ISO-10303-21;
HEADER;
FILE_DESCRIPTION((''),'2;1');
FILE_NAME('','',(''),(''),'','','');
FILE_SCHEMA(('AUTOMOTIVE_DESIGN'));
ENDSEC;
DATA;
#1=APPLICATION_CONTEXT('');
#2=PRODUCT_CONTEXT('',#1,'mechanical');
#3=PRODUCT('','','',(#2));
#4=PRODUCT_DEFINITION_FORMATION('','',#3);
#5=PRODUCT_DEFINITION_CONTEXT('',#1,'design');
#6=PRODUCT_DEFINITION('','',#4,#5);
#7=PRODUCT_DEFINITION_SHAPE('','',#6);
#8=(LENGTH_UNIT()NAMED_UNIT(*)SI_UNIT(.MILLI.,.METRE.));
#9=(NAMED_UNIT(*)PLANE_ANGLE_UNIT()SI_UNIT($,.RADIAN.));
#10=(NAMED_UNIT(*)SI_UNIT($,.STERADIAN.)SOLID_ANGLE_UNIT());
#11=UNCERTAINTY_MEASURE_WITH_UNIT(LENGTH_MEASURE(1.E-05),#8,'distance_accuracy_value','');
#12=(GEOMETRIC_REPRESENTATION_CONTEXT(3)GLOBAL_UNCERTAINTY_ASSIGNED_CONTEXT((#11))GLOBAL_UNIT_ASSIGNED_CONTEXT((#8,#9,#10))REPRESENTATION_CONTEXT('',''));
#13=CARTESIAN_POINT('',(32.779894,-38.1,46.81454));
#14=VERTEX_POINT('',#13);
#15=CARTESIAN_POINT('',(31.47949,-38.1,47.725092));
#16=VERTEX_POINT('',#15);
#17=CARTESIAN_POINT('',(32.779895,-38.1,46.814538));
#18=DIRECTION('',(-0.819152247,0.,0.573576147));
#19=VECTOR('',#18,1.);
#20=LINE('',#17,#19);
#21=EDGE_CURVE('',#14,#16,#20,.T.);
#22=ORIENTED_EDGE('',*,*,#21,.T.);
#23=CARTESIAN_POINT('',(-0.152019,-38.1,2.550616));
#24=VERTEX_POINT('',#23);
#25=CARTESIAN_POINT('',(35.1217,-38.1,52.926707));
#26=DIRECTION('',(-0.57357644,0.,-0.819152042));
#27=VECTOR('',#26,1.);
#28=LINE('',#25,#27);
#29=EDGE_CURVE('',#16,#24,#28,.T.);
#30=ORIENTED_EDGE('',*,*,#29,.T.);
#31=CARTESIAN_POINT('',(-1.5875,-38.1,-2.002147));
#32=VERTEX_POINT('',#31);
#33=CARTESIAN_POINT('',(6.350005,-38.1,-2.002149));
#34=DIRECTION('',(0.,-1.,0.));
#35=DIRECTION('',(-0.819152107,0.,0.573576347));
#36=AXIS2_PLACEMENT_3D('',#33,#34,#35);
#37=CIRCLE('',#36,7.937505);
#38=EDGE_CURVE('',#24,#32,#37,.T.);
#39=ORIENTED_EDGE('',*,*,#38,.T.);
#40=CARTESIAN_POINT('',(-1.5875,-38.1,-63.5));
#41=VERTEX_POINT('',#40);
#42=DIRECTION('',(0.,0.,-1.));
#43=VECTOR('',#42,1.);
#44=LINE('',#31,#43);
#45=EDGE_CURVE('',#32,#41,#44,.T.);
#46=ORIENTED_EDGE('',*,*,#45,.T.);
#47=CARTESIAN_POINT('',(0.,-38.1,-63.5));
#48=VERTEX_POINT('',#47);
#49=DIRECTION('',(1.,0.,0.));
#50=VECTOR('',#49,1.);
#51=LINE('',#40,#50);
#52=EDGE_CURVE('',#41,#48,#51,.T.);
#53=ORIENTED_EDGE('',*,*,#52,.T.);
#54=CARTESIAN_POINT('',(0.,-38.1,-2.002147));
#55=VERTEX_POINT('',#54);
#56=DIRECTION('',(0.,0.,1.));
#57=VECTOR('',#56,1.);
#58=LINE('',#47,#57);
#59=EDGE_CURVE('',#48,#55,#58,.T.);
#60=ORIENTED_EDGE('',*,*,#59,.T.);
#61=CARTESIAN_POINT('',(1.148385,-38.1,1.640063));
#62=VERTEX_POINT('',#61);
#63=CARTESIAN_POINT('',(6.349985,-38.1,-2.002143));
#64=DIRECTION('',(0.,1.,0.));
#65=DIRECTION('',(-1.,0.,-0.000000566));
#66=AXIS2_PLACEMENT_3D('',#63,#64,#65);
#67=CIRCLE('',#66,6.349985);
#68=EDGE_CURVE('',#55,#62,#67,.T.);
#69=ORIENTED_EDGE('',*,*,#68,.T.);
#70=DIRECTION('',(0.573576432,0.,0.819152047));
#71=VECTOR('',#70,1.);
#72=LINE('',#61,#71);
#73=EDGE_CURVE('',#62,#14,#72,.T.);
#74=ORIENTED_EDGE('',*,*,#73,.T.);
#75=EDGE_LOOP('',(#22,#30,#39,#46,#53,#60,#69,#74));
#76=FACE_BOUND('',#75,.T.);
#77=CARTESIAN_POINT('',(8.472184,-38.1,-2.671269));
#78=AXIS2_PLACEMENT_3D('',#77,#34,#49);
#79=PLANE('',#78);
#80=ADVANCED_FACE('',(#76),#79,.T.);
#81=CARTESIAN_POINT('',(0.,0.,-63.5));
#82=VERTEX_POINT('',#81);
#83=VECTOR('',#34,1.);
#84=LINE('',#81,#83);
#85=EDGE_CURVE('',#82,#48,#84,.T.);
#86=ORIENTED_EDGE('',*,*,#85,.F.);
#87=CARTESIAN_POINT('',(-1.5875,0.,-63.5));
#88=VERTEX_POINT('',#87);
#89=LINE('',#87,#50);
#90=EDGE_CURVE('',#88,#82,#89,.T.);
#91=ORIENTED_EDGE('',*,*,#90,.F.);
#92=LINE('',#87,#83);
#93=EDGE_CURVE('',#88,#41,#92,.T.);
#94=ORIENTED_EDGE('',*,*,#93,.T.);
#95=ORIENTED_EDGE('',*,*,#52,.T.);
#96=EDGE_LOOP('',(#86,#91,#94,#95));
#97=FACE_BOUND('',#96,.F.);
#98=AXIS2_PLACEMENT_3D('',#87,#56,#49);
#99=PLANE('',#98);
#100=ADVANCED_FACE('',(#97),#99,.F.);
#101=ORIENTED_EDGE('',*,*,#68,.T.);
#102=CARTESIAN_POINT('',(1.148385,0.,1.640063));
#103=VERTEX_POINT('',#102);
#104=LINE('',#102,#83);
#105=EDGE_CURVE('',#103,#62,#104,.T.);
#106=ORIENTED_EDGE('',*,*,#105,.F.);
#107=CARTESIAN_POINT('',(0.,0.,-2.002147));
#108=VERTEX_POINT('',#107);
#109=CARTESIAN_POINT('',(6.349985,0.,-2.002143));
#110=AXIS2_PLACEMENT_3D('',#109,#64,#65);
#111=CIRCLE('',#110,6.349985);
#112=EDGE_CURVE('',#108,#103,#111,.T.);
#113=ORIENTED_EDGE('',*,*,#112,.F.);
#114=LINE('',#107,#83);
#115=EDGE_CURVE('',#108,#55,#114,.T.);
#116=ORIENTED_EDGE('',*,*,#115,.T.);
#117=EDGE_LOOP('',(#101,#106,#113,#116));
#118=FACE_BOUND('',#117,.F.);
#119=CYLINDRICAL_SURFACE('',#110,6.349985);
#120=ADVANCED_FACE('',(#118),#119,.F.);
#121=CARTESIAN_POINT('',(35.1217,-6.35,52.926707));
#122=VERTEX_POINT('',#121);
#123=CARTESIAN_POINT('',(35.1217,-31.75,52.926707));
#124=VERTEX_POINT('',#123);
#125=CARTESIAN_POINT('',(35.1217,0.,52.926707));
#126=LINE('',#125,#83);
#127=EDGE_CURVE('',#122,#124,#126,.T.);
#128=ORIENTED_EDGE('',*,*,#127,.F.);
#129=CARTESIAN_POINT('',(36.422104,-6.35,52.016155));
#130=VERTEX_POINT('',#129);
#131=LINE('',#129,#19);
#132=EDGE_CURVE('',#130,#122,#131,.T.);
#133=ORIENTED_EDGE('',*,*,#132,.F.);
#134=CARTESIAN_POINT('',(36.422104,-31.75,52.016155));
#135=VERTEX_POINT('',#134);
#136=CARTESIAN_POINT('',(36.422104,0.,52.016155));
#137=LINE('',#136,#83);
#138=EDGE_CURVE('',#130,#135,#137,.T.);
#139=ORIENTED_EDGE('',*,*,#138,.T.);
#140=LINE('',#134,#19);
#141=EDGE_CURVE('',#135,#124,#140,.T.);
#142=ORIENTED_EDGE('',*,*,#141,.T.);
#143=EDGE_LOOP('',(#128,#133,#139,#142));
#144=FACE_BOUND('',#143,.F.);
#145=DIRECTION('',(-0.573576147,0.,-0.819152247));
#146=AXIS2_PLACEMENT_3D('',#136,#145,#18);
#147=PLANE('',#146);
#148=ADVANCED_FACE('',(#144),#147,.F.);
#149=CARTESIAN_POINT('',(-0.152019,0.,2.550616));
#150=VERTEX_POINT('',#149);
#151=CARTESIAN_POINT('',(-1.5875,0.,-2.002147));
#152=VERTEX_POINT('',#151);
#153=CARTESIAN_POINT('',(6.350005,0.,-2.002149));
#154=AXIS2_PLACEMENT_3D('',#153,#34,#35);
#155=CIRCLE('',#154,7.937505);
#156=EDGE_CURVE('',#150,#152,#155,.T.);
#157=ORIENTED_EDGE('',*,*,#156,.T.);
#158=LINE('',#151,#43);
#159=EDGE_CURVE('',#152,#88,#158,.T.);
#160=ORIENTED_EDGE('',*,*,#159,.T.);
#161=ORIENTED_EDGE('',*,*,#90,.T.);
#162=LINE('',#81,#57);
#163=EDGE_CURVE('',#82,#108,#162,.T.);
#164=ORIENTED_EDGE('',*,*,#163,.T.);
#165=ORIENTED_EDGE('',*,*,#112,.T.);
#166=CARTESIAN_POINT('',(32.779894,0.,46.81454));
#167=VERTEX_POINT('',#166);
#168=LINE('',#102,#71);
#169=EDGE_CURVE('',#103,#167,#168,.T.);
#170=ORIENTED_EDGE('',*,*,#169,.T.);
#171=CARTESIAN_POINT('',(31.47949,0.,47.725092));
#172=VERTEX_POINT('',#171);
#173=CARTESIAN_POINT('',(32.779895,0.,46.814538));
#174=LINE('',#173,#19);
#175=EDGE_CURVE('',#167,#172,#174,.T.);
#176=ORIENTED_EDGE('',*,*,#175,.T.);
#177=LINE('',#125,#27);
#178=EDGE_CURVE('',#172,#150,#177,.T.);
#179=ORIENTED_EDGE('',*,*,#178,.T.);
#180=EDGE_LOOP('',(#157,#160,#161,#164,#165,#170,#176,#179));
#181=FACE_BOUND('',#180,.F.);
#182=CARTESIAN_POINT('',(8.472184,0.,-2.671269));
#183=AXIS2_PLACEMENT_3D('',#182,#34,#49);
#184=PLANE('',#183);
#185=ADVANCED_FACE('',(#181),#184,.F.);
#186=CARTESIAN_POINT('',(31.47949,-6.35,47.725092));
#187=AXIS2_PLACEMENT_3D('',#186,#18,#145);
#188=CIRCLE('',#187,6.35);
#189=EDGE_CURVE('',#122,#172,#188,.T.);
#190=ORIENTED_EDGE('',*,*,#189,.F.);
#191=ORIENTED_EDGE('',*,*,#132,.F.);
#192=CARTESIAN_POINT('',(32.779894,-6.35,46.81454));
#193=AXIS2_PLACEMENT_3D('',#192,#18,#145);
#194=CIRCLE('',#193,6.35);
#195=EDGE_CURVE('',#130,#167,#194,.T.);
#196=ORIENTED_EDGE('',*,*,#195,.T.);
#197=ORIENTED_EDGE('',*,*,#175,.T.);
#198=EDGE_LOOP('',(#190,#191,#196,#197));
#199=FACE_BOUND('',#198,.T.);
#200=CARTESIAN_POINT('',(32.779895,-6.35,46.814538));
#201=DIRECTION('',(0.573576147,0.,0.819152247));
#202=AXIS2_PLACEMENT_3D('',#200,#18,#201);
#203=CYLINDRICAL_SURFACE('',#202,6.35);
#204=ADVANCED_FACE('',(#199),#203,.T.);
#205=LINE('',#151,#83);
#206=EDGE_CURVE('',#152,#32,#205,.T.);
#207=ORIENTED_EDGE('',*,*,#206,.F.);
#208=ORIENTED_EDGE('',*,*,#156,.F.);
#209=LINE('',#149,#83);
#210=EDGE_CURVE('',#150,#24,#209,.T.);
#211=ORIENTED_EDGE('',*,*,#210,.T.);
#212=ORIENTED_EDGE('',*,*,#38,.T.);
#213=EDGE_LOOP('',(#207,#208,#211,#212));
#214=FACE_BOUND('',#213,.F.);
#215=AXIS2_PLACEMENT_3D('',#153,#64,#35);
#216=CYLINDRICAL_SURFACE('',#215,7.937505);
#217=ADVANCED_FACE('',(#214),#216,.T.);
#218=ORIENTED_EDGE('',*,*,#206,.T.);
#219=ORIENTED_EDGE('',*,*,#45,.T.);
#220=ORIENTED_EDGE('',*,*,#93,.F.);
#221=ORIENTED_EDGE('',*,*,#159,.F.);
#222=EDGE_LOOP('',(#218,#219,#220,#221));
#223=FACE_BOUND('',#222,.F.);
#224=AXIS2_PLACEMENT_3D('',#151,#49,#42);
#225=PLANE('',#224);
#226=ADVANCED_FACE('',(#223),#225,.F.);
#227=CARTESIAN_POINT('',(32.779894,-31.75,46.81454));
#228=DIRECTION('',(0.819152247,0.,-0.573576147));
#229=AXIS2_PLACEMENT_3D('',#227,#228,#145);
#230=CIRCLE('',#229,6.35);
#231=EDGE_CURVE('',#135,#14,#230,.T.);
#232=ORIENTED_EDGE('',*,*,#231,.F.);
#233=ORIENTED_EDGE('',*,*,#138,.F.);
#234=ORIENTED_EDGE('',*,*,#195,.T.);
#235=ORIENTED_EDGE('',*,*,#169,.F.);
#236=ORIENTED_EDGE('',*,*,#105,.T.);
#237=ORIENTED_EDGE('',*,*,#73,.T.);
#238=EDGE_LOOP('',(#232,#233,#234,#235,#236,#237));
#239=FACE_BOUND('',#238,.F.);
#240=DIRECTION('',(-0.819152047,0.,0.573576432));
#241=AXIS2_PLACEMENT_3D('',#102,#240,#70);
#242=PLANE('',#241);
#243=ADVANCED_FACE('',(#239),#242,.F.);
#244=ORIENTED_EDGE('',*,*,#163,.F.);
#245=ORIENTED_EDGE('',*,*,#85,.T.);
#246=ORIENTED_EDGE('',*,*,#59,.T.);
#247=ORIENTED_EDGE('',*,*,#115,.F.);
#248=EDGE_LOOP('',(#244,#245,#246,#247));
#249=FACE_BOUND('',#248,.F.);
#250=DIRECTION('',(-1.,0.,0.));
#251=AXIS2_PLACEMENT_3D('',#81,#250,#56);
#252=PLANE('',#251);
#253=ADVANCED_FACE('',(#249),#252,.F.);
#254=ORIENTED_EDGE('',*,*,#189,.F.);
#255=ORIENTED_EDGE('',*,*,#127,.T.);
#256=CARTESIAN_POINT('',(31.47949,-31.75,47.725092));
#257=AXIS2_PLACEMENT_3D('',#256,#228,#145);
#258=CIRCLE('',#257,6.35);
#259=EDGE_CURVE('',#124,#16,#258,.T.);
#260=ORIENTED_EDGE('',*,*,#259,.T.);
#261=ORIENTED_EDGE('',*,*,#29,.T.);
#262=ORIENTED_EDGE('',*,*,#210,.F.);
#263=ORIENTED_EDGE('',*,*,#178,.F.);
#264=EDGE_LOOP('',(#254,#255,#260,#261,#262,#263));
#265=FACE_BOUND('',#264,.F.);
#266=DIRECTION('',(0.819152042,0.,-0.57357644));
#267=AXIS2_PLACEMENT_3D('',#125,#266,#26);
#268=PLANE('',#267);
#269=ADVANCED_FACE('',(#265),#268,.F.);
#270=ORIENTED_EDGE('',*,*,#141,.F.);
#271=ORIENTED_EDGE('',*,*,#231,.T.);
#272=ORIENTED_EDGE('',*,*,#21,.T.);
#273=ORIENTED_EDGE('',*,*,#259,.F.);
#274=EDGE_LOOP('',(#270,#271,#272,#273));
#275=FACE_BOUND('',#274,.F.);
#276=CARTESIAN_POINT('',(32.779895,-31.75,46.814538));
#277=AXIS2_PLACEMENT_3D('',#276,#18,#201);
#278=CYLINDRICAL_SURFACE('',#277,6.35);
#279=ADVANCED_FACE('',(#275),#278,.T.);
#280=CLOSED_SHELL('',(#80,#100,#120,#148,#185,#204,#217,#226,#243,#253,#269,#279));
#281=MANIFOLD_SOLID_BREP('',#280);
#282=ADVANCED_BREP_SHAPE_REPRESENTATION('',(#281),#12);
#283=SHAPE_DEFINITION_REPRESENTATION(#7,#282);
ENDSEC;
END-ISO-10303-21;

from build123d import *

# Parameters (mm, degrees)
F1_DEPTH = 38.1
F2_R     = 6.35


with BuildPart() as f1:
    # F0 (on Front) → F1 (new body)
    with BuildSketch(Plane.XZ):
        with BuildLine():
            Line((0, -63.5), (0, -2.002147))
            ThreePointArc((0, -2.002147), (0.293897, -0.092665), (1.148385, 1.640063))
            Line((1.148385, 1.640063), (36.422104, 52.016155))
            Line((36.422104, 52.016155), (35.1217, 52.926707))
            Line((35.1217, 52.926707), (-0.152019, 2.550616))
            ThreePointArc((-0.152019, 2.550616), (-1.220128, 0.384705), (-1.5875, -2.002147))
            Line((-1.5875, -2.002147), (-1.5875, -63.5))
            Line((-1.5875, -63.5), (0, -63.5))
        make_face()
    extrude(amount=F1_DEPTH)

    # F2
    f2_edges = [f1.edges().sort_by_distance(p)[0] for p in [
        (35.771902, -38.1, 52.471431),
        (35.771902, 0, 52.471431),
    ]]
    fillet(f2_edges, radius=F2_R)


solid = f1.part
